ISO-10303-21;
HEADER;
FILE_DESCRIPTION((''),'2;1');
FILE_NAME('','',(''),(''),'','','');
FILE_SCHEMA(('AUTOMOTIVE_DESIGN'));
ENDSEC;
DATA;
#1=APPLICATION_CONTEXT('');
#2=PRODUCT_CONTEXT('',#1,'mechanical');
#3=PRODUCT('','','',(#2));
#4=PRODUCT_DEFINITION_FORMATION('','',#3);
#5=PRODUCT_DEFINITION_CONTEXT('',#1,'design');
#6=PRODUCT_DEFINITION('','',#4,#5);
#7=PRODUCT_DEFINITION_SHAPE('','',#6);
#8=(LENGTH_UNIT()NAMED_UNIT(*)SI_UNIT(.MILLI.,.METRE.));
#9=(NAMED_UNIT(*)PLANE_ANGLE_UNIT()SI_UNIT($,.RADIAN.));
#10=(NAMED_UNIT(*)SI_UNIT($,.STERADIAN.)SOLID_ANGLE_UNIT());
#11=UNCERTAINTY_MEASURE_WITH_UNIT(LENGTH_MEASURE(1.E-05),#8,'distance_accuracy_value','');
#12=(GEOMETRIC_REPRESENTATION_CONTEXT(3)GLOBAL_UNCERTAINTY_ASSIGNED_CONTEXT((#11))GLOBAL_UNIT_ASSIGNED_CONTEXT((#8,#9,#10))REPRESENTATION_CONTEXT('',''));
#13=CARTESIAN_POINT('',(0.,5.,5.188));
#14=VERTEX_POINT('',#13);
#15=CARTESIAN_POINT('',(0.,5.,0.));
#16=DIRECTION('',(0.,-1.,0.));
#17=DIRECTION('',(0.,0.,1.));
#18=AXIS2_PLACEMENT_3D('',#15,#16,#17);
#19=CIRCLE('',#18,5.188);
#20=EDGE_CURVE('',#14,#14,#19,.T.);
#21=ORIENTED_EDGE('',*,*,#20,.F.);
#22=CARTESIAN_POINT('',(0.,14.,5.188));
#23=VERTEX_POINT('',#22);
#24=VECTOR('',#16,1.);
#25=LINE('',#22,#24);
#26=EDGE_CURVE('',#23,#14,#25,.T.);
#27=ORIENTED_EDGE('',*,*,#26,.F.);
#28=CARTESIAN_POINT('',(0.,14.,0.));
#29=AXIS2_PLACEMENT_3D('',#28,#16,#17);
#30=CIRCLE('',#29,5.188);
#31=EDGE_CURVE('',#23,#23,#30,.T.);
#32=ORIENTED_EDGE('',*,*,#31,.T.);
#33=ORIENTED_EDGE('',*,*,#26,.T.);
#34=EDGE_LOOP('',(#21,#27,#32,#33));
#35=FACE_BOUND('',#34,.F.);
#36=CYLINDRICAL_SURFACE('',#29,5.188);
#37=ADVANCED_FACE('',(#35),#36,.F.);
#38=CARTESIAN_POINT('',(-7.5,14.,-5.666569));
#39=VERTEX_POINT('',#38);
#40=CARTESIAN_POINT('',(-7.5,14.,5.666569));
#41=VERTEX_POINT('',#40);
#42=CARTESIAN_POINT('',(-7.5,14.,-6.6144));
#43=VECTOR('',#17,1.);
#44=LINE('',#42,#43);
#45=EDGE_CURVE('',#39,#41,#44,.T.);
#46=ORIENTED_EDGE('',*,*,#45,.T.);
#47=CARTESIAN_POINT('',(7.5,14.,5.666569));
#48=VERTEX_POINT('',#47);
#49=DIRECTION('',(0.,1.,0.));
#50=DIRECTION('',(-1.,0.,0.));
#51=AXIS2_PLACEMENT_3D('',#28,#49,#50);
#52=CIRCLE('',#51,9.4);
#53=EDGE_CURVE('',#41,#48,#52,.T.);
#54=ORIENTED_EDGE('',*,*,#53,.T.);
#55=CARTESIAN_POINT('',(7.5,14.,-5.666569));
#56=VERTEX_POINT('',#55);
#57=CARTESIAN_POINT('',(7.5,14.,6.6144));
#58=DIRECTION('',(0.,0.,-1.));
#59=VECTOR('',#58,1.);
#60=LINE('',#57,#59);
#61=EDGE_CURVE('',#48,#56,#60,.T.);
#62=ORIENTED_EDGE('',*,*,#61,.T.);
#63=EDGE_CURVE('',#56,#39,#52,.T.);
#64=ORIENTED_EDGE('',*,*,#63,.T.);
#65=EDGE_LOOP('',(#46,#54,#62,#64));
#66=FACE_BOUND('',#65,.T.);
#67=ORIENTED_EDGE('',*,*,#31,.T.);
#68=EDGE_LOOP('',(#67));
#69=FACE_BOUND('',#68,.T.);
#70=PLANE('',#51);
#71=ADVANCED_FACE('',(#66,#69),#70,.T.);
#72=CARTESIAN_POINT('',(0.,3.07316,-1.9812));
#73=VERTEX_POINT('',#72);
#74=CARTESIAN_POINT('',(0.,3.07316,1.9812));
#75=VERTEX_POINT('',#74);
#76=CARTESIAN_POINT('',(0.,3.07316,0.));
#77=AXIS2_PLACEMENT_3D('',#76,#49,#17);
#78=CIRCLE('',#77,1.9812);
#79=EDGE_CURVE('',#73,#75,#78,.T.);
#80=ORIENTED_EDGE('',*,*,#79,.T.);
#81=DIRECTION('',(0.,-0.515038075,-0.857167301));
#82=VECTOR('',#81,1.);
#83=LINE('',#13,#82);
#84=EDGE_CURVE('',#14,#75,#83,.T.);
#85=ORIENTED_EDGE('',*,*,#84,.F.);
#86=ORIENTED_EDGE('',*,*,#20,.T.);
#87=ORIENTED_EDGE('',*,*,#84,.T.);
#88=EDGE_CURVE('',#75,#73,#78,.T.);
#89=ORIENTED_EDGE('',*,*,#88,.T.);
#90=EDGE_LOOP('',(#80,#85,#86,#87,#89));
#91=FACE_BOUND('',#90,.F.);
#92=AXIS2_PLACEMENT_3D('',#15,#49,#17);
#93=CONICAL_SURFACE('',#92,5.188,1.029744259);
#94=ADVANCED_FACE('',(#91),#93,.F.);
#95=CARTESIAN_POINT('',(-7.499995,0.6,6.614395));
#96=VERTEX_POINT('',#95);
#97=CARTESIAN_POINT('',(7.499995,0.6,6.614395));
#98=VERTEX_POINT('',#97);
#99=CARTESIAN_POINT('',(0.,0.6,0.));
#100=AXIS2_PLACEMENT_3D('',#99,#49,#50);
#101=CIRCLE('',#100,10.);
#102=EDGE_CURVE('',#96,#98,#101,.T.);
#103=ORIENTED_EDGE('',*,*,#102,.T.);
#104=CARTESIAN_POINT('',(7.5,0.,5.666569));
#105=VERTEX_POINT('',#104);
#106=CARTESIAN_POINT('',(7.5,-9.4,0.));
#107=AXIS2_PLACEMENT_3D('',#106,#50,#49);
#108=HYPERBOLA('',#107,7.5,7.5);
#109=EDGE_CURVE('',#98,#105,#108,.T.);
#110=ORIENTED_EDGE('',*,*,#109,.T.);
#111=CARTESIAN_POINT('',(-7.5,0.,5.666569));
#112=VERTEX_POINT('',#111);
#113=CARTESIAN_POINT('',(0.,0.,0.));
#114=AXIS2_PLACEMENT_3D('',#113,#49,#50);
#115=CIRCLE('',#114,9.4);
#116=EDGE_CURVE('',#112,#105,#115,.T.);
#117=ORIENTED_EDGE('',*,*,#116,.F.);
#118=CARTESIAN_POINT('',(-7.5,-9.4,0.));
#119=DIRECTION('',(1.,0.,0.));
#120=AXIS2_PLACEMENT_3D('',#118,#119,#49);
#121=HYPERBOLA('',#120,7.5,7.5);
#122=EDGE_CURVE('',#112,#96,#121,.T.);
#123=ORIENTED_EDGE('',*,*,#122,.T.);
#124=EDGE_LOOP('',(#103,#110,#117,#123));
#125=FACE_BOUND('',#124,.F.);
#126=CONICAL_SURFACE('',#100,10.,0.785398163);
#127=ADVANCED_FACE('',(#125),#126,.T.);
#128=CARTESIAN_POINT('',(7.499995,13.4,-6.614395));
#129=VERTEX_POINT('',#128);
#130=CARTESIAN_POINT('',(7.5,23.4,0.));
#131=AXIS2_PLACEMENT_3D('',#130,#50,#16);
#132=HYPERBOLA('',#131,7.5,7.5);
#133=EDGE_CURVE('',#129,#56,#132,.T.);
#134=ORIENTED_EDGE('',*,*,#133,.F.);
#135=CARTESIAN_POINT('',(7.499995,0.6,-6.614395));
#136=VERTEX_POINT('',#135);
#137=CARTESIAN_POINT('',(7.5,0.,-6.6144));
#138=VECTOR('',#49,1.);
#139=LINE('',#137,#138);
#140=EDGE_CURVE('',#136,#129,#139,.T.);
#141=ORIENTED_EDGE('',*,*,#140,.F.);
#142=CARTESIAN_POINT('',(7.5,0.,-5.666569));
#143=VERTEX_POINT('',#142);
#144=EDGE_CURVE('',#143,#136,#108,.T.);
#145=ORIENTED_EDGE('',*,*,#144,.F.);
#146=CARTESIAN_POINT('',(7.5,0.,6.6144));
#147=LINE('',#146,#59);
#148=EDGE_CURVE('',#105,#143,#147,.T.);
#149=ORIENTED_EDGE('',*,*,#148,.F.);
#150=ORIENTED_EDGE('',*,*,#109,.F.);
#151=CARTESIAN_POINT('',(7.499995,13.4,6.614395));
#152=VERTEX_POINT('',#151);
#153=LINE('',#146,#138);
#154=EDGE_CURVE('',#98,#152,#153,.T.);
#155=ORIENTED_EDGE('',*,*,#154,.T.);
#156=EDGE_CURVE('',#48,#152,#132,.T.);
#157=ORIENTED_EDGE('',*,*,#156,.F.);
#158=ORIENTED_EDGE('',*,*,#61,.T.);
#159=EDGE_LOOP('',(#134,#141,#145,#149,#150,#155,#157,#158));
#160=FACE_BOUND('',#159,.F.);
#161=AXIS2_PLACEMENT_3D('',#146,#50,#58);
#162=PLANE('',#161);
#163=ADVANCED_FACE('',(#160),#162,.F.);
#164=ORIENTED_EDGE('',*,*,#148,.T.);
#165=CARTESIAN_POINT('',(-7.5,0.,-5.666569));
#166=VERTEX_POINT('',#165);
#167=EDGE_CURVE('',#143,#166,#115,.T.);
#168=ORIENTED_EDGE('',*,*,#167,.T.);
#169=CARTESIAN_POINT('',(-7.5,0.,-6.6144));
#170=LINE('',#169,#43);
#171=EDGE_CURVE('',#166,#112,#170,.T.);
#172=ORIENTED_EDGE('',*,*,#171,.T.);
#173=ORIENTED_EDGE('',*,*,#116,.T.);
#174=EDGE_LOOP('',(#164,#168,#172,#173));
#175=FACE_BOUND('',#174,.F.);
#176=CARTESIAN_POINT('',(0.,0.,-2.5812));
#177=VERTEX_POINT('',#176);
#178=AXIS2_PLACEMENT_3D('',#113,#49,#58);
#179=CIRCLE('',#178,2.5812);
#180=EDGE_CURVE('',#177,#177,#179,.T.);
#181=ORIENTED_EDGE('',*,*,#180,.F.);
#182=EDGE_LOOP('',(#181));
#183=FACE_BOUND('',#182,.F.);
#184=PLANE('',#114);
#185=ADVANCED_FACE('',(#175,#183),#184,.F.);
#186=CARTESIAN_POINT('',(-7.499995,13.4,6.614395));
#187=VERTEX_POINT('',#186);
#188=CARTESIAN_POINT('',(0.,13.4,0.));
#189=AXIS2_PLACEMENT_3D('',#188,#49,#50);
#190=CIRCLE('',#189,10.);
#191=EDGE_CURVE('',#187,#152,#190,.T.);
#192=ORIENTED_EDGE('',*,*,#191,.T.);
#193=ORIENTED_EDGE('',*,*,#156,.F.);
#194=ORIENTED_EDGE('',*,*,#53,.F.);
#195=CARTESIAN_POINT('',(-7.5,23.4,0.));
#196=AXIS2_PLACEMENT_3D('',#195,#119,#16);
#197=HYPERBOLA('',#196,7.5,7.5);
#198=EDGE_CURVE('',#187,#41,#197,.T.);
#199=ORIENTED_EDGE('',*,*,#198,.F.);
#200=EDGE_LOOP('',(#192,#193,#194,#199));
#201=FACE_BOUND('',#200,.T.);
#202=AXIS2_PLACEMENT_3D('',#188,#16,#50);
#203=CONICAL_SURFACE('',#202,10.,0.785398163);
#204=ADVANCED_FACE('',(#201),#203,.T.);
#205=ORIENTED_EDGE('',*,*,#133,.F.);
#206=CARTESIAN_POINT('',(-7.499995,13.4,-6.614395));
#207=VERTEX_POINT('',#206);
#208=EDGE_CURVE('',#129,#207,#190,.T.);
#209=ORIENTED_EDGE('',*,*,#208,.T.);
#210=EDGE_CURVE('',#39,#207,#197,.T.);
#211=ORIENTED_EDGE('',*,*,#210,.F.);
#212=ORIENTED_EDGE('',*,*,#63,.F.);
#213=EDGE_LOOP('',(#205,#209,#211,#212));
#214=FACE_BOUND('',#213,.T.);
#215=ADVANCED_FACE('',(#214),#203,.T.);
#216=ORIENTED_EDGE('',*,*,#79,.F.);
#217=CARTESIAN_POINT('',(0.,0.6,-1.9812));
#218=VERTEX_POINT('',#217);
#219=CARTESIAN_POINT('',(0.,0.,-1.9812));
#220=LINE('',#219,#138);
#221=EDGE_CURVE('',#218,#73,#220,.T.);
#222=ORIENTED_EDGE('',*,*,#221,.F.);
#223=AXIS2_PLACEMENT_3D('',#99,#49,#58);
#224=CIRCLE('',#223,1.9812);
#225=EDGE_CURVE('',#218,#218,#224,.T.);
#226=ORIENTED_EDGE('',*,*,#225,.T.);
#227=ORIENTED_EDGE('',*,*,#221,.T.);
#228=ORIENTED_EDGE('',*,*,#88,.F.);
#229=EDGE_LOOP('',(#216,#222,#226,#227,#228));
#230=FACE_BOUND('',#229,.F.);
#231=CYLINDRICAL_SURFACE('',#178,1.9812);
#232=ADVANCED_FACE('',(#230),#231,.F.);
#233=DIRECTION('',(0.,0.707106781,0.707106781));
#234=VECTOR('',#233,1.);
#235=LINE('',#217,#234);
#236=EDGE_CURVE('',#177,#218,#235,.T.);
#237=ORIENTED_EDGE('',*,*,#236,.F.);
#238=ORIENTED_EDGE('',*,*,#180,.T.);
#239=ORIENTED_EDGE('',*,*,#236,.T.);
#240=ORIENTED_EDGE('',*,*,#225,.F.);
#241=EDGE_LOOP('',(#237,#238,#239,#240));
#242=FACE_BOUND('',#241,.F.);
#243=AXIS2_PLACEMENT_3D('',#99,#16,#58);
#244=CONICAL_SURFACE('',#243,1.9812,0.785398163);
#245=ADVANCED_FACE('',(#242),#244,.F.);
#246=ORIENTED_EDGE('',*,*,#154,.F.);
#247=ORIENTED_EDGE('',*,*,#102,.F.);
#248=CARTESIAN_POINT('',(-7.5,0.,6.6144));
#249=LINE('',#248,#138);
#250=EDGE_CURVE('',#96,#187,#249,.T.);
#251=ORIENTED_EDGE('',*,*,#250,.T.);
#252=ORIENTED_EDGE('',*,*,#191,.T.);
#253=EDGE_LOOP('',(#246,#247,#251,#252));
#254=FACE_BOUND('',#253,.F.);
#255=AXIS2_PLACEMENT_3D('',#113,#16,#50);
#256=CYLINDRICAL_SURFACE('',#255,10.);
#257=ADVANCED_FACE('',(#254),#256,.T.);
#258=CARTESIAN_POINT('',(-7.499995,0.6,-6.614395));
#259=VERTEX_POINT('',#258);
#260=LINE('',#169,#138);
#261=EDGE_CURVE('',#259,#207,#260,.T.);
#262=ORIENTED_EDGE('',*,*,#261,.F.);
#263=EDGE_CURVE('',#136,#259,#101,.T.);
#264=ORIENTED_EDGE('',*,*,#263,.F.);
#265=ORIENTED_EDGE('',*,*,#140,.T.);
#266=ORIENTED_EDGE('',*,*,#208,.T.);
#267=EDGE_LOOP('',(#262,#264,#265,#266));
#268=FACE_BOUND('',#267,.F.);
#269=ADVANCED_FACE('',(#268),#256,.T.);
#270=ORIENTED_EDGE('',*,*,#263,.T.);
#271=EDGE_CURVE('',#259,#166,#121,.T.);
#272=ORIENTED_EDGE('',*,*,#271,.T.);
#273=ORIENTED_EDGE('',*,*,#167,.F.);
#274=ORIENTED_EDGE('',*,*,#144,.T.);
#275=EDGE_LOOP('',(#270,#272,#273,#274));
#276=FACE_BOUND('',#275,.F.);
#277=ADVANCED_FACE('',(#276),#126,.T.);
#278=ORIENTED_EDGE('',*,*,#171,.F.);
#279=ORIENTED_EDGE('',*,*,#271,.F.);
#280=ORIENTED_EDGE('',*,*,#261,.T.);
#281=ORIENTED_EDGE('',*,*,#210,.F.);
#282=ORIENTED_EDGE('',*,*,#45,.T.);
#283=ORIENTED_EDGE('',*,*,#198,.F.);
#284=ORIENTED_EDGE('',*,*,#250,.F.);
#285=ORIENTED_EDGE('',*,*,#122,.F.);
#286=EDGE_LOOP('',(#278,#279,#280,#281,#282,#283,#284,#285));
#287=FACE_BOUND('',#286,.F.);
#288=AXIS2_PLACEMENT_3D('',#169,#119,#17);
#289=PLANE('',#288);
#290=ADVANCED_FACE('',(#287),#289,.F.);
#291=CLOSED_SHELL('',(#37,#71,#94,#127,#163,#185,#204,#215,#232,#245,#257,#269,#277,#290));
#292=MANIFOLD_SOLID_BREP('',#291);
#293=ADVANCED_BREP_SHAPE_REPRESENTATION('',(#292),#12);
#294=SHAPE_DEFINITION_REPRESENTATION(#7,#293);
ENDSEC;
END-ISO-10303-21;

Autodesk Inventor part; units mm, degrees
ref_plane "YZ Plane" through (0, 0, 0) normal (1, 0, 0) x (0, 1, 0)
ref_plane "XZ Plane" through (0, 0, 0) normal (0, 1, 0) x (-1, 0, 0)
ref_plane "XY Plane" through (0, 0, 0) normal (0, 0, 1) x (1, 0, 0)
sketch "Sketch1" plane through (0, 0, 0) normal (0, 1, 0) x (-1, 0, 0)
  circle A0 centre (0, 0) radius 10
  dimension "d0" = 20
extrude "Extrusion1" add sketch "Sketch1" along normal blind 14
sketch "Sketch2" plane through (0, 14, 0) normal (0, 1, 0) x (1, 0, 0)
  point P0 (0, 0)
  point P1 (0, 0)
hole "Hole1" at (0, 14, 0) direction (0, -1, 0) diameter 10.376 depth 9 tip angle 118 thread size "M12x1.5" class "6H" standard "ISO Metric profile"
sketch "Sketch3" plane through (0, 0, 0) normal (0, -1, 0) x (1, 0, 0)
  point P0 (0, 0)
  point P1 (0, 0)
hole "Hole2" at (0, 0, 0) direction (0, 1, 0) diameter 3.9624 end through all thread size "10-32 UNF" class "2B" standard "ANSI Unified Screw Threads"
chamfer "Chamfer1" distance 0.6 angle 45 3 edges at (0, 0, 1.9812) (10, 14, 0) (10, 0, 0)
sketch "Sketch4" plane through (0, 0, 0) normal (0, -1, 0) x (1, 0, 0)
  circle A0 centre (0, 0) radius 5.188 projected
  circle A1 centre (0, 0) radius 10 projected
  line L0 (-7.5, 6.6144) -> (7.5, 6.6144)
  line L1 (7.5, 6.6144) -> (7.5, -6.6144)
  line L2 (7.5, -6.6144) -> (-7.5, -6.6144)
  line L3 (-7.5, -6.6144) -> (-7.5, 6.6144)
  circle A2 centre (0, 0) radius 2.5812 projected
  line L4 (-7.5, 6.6144) -> (7.5, -6.6144) construction
  line L5 (7.5, 6.6144) -> (-7.5, -6.6144) construction
  point P0 (-7.5, -6.6144)
  point P1 (-7.5, 6.6144)
  point P2 (7.5, 6.6144)
  dimension "d20" = 15
extrude "Extrusion2" cut sketch "Sketch4" against normal blind 14 contours A1 L1 | L3 A1
properties part number "Port Conversion Nut"
